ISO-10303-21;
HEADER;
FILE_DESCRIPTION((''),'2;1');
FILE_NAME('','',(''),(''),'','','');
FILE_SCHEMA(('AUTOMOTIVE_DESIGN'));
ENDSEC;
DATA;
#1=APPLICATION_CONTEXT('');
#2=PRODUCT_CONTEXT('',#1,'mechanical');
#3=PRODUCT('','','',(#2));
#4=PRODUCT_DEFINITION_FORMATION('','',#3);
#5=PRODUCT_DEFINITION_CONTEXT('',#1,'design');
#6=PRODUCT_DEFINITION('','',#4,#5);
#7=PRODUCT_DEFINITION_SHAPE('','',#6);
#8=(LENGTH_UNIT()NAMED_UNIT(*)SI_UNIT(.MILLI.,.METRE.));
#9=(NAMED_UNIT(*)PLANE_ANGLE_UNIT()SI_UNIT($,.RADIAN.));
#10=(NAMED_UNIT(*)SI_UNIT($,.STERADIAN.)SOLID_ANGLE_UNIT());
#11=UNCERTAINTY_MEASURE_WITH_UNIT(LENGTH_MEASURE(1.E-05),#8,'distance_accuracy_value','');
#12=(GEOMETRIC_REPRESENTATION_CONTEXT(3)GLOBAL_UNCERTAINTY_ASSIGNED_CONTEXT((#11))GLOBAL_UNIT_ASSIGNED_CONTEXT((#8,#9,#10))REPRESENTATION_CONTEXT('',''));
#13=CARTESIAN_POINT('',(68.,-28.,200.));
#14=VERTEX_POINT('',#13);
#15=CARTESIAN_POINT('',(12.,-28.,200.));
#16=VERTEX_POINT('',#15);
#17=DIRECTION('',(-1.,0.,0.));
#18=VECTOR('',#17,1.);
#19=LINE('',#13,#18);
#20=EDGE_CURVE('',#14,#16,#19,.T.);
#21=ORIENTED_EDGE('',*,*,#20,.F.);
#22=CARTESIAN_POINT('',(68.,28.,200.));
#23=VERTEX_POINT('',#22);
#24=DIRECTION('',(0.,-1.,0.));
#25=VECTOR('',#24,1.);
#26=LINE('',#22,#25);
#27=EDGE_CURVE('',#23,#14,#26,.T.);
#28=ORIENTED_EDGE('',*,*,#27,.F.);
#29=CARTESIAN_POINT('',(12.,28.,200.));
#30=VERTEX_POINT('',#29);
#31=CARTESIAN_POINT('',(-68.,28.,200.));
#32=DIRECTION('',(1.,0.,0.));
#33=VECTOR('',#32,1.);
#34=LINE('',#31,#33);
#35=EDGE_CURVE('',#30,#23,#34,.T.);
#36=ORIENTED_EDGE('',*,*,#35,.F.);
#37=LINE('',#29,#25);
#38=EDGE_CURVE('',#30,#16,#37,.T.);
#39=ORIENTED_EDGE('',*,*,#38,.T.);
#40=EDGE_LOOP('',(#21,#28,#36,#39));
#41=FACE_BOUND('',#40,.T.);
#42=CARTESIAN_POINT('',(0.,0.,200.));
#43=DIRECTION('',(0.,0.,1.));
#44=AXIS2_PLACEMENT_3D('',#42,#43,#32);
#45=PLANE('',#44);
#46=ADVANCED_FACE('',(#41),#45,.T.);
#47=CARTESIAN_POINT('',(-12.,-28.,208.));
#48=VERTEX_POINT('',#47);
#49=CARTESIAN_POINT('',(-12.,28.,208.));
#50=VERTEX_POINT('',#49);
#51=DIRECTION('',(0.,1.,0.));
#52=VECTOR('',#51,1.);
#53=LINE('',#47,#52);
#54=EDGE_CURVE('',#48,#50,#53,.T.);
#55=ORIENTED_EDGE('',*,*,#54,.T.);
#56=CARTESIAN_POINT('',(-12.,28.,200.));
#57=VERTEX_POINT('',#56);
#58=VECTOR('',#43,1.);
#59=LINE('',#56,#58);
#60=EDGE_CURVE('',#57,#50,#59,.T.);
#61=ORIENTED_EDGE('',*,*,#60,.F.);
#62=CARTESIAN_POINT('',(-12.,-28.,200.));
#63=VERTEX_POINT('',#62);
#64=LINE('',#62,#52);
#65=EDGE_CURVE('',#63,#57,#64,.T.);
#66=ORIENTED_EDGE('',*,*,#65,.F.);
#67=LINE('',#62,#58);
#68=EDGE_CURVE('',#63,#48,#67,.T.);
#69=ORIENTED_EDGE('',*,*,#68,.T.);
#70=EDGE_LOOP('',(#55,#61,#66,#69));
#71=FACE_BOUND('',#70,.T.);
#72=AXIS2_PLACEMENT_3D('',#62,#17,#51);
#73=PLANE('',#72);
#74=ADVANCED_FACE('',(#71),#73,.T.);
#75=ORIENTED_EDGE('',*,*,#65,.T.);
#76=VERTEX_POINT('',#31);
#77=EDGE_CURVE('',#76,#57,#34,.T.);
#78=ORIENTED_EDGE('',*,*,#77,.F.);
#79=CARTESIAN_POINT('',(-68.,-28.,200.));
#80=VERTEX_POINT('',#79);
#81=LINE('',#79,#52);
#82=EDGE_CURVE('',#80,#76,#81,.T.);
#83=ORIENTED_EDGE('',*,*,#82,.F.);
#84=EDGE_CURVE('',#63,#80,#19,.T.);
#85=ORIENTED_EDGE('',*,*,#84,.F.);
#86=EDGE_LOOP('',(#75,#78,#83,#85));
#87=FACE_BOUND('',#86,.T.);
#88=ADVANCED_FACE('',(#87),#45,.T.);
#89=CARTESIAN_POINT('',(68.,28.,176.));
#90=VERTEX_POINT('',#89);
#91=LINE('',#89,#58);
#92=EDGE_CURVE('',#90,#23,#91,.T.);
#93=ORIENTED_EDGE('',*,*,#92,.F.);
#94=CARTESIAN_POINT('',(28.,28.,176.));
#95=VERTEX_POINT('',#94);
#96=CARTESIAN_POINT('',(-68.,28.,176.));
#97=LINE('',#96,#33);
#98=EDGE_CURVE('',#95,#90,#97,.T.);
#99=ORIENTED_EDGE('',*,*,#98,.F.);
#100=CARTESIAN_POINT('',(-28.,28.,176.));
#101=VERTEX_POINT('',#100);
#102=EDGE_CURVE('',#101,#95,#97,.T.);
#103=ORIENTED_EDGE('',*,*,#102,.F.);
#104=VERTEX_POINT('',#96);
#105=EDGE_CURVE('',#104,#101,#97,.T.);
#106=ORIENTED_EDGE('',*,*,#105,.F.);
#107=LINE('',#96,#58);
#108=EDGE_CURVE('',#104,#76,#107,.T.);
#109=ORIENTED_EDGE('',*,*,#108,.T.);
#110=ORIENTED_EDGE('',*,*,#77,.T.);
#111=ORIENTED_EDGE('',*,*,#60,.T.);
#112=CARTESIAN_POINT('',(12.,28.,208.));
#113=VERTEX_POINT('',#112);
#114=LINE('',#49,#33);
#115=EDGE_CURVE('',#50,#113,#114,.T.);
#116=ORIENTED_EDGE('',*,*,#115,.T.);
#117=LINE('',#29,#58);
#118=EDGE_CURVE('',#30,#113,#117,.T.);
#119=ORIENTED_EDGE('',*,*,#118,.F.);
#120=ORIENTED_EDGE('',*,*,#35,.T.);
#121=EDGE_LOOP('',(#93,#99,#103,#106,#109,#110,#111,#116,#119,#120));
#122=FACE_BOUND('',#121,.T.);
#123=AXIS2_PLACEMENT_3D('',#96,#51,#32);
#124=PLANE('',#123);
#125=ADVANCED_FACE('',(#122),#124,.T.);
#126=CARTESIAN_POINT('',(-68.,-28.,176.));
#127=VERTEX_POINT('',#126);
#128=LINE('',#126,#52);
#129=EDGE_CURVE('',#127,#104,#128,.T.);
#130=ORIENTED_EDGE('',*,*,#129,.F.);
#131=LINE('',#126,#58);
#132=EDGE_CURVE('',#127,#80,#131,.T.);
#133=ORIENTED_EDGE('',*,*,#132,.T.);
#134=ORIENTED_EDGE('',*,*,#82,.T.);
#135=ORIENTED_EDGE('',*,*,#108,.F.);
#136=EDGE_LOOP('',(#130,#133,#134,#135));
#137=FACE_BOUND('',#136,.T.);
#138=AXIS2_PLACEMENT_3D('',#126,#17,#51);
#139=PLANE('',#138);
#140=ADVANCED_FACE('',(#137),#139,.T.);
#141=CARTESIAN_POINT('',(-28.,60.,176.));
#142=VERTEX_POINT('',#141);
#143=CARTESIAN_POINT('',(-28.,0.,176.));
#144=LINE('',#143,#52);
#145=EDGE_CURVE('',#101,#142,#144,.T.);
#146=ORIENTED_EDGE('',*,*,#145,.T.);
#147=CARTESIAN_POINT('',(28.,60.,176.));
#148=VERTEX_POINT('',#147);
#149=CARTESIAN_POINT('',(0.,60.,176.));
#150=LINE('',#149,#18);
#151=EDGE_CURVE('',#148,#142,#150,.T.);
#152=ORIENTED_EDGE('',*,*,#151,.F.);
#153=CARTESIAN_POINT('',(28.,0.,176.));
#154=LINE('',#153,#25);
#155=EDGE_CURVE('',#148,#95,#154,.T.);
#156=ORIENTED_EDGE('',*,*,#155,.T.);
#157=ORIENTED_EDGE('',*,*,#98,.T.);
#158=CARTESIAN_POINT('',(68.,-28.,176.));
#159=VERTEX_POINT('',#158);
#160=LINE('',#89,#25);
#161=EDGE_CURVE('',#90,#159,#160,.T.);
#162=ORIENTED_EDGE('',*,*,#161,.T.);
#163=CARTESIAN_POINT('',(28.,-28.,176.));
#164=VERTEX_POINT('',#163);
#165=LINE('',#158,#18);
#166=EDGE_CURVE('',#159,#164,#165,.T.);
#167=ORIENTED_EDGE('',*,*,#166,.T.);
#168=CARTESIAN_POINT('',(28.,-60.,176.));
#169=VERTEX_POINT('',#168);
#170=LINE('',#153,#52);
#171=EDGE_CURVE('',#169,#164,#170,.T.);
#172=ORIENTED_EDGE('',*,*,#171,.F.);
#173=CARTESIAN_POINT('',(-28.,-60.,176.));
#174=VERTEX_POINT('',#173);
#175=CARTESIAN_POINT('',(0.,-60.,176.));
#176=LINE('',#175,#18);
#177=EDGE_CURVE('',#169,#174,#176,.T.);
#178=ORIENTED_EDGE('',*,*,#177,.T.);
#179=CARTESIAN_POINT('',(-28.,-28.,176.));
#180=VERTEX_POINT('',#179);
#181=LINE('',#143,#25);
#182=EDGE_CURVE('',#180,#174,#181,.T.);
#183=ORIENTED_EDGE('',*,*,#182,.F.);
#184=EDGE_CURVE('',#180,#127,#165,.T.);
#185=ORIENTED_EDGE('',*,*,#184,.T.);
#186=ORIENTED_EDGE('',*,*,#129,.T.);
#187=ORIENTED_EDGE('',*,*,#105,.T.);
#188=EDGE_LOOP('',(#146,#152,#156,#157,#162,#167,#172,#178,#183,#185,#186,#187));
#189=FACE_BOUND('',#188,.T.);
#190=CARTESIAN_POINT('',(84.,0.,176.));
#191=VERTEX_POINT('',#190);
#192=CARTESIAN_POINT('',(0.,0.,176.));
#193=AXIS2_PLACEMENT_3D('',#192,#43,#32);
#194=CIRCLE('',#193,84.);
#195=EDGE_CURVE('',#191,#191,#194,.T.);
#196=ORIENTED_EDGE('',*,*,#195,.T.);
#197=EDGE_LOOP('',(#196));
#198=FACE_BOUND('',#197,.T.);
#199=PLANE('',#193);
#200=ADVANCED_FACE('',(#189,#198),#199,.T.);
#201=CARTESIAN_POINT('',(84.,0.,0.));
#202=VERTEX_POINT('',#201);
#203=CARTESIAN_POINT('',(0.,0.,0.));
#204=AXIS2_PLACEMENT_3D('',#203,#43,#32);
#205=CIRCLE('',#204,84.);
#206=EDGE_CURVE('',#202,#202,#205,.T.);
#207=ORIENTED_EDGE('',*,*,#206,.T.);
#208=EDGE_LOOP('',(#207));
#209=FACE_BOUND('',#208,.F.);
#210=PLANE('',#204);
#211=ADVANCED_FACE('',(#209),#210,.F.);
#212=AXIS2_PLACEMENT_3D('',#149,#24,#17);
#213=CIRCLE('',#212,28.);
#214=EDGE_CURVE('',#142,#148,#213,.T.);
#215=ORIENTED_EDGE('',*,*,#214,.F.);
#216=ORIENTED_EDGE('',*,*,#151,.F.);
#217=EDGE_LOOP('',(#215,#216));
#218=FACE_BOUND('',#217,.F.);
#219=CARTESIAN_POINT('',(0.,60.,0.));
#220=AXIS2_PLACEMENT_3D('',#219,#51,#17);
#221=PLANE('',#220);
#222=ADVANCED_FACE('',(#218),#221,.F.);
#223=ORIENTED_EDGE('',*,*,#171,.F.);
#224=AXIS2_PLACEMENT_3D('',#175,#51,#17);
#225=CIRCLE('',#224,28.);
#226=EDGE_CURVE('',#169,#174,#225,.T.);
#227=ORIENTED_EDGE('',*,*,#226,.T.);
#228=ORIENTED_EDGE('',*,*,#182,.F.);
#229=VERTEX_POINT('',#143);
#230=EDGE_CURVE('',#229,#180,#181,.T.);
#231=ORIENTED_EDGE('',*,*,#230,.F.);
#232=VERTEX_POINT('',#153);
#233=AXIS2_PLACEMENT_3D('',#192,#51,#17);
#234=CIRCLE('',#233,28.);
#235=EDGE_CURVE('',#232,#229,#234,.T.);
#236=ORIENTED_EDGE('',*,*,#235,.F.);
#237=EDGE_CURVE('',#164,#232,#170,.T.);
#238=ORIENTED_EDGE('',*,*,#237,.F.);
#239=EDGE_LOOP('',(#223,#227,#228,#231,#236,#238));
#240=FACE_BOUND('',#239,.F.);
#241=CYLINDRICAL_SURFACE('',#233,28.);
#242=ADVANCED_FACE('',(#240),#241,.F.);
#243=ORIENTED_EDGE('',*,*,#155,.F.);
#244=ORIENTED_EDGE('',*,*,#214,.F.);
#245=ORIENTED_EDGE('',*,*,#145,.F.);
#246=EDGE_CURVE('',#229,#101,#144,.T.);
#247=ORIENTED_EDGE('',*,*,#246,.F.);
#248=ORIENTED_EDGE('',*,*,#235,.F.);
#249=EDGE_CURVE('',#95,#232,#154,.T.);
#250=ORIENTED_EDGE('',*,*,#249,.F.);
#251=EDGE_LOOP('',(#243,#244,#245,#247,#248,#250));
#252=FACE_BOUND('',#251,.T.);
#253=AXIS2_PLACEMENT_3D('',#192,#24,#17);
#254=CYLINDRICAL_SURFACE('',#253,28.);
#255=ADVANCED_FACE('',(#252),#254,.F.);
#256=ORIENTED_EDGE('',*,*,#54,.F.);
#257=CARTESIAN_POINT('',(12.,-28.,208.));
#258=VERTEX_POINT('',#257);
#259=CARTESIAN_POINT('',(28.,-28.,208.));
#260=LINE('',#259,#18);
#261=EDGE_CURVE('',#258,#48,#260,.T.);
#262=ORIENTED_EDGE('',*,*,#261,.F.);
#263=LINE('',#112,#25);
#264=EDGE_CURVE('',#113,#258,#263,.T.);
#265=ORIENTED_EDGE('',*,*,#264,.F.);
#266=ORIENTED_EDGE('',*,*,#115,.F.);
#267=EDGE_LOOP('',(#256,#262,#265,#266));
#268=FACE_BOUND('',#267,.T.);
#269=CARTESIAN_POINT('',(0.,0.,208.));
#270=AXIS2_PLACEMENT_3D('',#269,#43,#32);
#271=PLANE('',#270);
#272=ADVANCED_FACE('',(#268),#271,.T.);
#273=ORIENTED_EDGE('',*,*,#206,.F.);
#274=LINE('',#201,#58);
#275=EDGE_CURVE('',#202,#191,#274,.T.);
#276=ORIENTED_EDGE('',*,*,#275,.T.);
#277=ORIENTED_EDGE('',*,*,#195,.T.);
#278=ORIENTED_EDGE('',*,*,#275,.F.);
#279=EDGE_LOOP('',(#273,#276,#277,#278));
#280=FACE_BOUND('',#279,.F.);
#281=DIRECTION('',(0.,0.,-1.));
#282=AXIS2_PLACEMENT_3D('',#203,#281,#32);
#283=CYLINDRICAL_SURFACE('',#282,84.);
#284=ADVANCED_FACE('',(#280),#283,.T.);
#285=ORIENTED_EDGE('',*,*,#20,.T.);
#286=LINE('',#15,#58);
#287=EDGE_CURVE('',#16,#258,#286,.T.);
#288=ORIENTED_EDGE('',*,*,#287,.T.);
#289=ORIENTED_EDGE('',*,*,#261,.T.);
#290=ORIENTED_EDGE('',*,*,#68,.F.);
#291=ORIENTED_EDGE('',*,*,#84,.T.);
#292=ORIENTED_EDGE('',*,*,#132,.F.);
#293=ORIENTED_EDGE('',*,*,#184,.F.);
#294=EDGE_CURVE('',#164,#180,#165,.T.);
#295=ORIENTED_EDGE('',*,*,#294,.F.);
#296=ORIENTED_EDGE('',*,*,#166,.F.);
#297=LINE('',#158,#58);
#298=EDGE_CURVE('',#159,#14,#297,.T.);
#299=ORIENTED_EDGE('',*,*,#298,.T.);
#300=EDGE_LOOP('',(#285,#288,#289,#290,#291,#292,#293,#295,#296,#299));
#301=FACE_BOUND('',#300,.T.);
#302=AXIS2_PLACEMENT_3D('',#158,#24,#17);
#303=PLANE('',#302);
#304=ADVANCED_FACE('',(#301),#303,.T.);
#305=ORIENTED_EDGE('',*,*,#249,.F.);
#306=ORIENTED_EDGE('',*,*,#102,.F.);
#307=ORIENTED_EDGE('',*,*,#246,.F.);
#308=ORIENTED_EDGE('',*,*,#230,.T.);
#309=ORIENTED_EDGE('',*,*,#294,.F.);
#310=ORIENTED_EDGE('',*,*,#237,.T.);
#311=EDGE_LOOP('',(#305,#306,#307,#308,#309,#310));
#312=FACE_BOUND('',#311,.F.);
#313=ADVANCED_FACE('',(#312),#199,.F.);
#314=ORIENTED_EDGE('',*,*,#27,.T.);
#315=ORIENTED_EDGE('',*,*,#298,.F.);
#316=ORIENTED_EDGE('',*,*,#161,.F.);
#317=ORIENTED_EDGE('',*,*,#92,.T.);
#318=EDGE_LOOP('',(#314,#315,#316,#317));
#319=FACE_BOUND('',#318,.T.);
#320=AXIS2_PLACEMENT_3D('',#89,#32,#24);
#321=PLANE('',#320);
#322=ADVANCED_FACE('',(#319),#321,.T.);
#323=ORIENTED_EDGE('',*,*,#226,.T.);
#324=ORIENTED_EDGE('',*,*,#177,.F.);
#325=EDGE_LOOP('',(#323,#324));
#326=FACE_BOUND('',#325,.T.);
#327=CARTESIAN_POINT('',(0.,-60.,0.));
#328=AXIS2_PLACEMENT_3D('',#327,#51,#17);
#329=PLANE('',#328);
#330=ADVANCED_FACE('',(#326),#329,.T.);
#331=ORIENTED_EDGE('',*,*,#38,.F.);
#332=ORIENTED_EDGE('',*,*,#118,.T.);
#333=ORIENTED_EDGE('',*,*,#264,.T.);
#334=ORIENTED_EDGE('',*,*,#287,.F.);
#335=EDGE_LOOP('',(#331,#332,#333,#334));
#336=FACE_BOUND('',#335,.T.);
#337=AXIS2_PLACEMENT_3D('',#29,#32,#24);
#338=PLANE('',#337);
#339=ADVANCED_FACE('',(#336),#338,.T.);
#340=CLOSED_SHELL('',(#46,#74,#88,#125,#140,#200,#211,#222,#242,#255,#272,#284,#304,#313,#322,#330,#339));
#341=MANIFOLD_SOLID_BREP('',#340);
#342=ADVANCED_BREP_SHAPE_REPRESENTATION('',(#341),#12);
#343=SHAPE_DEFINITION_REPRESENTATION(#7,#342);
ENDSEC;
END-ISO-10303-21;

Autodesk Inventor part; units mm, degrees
ref_plane "YZ Plane" through (0, 0, 0) normal (1, 0, 0) x (0, 1, 0)
ref_plane "XZ Plane" through (0, 0, 0) normal (0, 1, 0) x (-1, 0, 0)
ref_plane "XY Plane" through (0, 0, 0) normal (0, 0, 1) x (1, 0, 0)
sketch "Sketch1" plane through (0, 0, 0) normal (0, 0, 1) x (1, 0, 0)
  circle A0 centre (0, 0) radius 84
  dimension "d0" = 168
extrude "Extrusion1" add sketch "Sketch1" along normal blind 176
sketch "Sketch2" plane through (0, 0, 0) normal (0, 1, 0) x (-1, 0, 0)
  line L0 (84, 176) -> (-84, 176) projected
  circle A0 centre (0, 176) radius 28
  point P0 (0, 0)
  dimension "d3" = 56
extrude "Extrusion2" cut sketch "Sketch2" along normal mid plane 120
sketch "Sketch4" plane through (0, 0, 176) normal (0, 0, 1) x (1, 0, 0)
  line L0 (68, -28) -> (-68, -28)
  line L1 (-68, -28) -> (-68, 28)
  line L2 (-68, 28) -> (68, 28)
  line L3 (68, 28) -> (68, -28)
  line L4 (68, -28) -> (-68, 28) construction
  line L5 (-68, -28) -> (68, 28) construction
  circle A0 centre (0, 0) radius 84 projected
  dimension "d7" = 56
  dimension "d8" = 16
extrude "Extrusion3" add sketch "Sketch4" along normal blind 24 contours L0 L1 L2 L3
sketch "Sketch5" plane through (0, 0, 200) normal (0, 0, 1) x (1, 0, 0)
  line L0 (28, -28) -> (-28, -28) projected
  line L1 (-12, 28) -> (12, 28)
  line L2 (12, 28) -> (12, -28)
  line L3 (12, -28) -> (-12, -28)
  line L4 (-12, -28) -> (-12, 28)
  line L5 (-12, 28) -> (12, -28) construction
  line L6 (12, 28) -> (-12, -28) construction
  point P0 (0, 0)
  dimension "d11" = 24
extrude "Extrusion4" add sketch "Sketch5" along normal blind 8
properties part number "link_1"
